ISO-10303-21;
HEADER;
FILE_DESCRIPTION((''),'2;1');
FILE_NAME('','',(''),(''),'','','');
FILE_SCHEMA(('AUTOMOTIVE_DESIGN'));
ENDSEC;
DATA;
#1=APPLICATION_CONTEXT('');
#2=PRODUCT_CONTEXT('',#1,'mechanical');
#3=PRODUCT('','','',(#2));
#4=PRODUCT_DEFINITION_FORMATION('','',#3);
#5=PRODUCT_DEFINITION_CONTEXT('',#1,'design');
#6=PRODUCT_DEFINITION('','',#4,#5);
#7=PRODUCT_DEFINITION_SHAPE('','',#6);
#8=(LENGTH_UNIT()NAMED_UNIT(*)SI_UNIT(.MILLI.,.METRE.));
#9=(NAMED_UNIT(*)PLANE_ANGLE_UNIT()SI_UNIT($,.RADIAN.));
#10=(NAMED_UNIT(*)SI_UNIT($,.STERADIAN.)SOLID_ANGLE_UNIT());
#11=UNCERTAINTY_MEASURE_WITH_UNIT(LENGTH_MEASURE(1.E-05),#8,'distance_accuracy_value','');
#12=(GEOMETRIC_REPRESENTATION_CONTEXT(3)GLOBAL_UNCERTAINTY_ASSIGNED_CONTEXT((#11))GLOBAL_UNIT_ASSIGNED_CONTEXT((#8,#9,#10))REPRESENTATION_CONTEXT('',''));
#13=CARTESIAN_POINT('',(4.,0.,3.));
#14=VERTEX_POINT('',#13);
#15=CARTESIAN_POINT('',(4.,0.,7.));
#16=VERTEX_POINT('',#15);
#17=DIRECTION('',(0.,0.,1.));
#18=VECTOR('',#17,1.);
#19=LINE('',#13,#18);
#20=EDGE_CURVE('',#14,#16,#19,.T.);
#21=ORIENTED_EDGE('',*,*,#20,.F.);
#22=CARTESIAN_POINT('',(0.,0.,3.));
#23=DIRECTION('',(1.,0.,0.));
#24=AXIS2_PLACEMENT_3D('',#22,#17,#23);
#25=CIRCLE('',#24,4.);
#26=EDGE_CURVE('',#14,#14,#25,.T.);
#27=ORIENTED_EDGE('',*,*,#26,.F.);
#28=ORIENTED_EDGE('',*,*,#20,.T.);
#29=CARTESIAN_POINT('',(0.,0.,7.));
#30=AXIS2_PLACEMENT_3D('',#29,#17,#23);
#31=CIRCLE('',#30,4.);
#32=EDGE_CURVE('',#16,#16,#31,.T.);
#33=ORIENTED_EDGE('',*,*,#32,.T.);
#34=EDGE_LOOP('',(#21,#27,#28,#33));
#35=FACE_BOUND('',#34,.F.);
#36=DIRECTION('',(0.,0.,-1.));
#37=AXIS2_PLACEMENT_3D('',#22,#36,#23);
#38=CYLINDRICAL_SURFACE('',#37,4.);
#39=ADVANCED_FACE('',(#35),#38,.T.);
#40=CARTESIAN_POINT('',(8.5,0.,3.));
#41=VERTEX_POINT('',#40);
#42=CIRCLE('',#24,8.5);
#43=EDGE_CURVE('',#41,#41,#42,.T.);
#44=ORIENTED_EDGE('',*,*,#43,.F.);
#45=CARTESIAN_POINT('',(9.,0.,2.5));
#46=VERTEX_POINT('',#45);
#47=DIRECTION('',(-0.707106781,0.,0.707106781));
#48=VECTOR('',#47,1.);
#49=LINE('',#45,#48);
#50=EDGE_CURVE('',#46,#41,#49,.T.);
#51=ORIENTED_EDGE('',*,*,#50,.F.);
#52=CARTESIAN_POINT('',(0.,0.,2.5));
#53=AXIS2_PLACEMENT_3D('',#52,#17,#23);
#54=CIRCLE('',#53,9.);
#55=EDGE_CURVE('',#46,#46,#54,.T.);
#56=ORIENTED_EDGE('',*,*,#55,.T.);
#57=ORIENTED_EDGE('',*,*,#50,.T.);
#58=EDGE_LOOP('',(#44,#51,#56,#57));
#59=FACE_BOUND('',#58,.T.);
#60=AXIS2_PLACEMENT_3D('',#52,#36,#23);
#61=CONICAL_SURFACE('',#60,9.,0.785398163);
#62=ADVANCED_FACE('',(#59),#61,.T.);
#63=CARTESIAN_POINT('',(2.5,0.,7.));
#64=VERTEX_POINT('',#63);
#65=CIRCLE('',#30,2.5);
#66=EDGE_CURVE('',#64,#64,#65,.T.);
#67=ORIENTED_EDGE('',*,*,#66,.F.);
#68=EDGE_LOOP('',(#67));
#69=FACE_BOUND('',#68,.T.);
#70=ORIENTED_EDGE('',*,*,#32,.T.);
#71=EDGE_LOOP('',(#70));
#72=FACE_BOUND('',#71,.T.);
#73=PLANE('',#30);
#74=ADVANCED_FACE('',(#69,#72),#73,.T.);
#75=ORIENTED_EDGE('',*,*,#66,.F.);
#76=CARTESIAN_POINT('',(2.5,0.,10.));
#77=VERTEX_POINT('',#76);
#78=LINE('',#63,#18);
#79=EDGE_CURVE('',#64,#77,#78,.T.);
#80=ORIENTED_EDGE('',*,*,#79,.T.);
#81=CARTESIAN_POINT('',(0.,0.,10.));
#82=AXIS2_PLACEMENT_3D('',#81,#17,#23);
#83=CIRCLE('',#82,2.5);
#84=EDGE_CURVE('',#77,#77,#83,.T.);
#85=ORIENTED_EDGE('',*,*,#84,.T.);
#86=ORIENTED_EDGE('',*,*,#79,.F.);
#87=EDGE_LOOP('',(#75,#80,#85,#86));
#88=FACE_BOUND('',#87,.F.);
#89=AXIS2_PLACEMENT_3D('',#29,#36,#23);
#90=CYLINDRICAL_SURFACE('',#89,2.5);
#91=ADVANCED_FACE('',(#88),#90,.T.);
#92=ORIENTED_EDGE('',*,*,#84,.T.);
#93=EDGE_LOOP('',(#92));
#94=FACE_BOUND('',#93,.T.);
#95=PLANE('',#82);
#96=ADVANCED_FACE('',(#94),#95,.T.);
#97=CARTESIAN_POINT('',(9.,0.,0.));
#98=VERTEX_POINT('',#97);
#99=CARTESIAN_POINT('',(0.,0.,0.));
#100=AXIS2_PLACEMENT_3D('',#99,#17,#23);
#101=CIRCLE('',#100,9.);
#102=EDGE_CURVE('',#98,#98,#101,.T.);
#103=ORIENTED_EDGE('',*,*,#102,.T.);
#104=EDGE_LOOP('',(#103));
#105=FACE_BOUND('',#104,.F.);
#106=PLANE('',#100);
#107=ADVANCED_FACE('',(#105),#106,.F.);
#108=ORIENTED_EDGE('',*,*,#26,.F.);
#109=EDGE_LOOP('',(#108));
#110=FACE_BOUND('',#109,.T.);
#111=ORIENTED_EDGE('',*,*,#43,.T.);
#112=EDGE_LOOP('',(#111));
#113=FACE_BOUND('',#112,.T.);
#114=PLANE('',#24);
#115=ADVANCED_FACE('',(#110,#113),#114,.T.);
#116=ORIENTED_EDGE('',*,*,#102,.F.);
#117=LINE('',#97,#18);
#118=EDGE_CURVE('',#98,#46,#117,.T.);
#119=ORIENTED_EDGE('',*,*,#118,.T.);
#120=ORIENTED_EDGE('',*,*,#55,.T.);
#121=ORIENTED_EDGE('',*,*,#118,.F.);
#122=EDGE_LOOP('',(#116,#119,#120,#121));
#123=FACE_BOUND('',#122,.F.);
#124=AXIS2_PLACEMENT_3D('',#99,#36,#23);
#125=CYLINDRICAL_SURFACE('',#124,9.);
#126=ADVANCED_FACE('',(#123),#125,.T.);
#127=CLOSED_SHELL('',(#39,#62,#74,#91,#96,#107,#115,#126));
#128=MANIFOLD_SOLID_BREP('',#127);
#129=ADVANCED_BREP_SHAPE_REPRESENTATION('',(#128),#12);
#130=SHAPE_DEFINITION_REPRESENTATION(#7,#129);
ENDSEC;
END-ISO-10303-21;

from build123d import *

# Parameters (mm, degrees)
F0_R     = 9
F1_DEPTH = 3
F2_SIZE  = 0.5
F3_R     = 4
F4_DEPTH = 4
F5_R     = 2.5
F6_DEPTH = 3


with BuildPart() as f1:
    # F0 (on Top) → F1 (new body)
    with BuildSketch(Plane.XY):
        Circle(F0_R)
    extrude(amount=F1_DEPTH)

    # F2
    f2_edges = [f1.edges().sort_by_distance(p)[0] for p in [
        (-9, 0, 3),
    ]]
    chamfer(f2_edges, length=F2_SIZE)

    # F3 (on face) → F4 (join)
    with BuildSketch(Plane.XY.offset(3)):
        Circle(F3_R)
    extrude(amount=F4_DEPTH)

    # F5 (on face) → F6 (join)
    with BuildSketch(Plane.XY.offset(7)):
        Circle(F5_R)
    extrude(amount=F6_DEPTH)


solid = f1.part
